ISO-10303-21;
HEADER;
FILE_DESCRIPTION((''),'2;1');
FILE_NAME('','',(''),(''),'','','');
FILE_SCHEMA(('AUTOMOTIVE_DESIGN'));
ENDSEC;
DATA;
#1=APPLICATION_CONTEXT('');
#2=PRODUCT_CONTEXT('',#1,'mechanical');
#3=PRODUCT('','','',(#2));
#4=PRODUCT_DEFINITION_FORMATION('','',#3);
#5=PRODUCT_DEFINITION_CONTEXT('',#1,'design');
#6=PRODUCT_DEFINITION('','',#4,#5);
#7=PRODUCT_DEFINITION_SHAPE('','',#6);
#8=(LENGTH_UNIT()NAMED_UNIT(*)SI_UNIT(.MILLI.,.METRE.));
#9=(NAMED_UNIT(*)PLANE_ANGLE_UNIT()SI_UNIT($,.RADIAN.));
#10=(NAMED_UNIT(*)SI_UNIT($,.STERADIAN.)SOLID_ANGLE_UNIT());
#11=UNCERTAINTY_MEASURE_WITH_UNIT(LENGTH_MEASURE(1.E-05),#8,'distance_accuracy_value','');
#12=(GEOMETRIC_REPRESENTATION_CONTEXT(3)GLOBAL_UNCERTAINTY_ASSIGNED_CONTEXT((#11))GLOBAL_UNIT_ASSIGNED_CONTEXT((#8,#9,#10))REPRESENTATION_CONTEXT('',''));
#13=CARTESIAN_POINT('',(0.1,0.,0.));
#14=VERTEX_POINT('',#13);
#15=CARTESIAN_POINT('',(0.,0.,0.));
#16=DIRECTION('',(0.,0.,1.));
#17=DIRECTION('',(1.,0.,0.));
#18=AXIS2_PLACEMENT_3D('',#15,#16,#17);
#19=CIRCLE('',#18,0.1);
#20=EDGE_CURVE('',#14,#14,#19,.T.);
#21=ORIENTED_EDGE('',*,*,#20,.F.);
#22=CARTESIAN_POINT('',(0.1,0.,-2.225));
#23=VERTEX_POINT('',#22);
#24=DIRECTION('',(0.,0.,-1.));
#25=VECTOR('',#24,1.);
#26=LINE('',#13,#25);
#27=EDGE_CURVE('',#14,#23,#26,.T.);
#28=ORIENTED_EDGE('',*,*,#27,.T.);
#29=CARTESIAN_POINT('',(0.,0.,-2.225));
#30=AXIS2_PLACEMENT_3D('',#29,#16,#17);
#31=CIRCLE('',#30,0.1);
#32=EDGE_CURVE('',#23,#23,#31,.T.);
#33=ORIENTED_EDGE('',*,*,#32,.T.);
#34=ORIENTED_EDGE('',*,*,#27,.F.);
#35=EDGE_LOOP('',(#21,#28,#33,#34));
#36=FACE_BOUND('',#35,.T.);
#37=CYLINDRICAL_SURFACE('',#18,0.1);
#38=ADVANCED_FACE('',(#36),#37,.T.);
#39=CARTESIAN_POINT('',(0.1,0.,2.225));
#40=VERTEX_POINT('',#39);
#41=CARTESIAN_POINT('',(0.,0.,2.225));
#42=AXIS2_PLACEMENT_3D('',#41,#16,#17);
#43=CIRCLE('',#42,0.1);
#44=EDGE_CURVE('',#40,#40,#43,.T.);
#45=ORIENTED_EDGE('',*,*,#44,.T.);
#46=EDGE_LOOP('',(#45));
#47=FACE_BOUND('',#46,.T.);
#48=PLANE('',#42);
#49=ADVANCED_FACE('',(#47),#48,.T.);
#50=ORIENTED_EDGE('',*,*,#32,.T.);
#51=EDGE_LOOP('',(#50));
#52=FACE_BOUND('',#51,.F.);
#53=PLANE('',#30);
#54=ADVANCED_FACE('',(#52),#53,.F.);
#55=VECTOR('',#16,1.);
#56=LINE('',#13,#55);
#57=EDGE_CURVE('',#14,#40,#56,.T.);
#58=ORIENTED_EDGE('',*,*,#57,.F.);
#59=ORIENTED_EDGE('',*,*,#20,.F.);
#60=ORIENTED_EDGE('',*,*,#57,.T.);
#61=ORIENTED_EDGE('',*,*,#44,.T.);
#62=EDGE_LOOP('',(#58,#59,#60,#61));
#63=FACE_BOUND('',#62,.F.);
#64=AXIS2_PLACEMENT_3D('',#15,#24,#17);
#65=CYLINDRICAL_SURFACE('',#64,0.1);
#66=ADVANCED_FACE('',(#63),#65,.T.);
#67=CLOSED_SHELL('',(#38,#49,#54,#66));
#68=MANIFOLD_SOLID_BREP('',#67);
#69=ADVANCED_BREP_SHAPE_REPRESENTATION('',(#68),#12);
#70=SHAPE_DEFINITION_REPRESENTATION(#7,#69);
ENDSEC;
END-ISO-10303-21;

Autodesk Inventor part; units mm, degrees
ref_plane "YZ Plane" through (0, 0, 0) normal (1, 0, 0) x (0, 1, 0)
ref_plane "XZ Plane" through (0, 0, 0) normal (0, 1, 0) x (-1, 0, 0)
ref_plane "XY Plane" through (0, 0, 0) normal (0, 0, 1) x (1, 0, 0)
sketch "Sketch1" plane through (0, 0, 0) normal (0, 0, 1) x (1, 0, 0)
  circle A0 centre (0, 0) radius 0.1
  dimension "d0" = 0.2
extrude "Extrusion1" add sketch "Sketch1" along normal mid plane 4.45
properties part number "Bone9_7_Fix"
